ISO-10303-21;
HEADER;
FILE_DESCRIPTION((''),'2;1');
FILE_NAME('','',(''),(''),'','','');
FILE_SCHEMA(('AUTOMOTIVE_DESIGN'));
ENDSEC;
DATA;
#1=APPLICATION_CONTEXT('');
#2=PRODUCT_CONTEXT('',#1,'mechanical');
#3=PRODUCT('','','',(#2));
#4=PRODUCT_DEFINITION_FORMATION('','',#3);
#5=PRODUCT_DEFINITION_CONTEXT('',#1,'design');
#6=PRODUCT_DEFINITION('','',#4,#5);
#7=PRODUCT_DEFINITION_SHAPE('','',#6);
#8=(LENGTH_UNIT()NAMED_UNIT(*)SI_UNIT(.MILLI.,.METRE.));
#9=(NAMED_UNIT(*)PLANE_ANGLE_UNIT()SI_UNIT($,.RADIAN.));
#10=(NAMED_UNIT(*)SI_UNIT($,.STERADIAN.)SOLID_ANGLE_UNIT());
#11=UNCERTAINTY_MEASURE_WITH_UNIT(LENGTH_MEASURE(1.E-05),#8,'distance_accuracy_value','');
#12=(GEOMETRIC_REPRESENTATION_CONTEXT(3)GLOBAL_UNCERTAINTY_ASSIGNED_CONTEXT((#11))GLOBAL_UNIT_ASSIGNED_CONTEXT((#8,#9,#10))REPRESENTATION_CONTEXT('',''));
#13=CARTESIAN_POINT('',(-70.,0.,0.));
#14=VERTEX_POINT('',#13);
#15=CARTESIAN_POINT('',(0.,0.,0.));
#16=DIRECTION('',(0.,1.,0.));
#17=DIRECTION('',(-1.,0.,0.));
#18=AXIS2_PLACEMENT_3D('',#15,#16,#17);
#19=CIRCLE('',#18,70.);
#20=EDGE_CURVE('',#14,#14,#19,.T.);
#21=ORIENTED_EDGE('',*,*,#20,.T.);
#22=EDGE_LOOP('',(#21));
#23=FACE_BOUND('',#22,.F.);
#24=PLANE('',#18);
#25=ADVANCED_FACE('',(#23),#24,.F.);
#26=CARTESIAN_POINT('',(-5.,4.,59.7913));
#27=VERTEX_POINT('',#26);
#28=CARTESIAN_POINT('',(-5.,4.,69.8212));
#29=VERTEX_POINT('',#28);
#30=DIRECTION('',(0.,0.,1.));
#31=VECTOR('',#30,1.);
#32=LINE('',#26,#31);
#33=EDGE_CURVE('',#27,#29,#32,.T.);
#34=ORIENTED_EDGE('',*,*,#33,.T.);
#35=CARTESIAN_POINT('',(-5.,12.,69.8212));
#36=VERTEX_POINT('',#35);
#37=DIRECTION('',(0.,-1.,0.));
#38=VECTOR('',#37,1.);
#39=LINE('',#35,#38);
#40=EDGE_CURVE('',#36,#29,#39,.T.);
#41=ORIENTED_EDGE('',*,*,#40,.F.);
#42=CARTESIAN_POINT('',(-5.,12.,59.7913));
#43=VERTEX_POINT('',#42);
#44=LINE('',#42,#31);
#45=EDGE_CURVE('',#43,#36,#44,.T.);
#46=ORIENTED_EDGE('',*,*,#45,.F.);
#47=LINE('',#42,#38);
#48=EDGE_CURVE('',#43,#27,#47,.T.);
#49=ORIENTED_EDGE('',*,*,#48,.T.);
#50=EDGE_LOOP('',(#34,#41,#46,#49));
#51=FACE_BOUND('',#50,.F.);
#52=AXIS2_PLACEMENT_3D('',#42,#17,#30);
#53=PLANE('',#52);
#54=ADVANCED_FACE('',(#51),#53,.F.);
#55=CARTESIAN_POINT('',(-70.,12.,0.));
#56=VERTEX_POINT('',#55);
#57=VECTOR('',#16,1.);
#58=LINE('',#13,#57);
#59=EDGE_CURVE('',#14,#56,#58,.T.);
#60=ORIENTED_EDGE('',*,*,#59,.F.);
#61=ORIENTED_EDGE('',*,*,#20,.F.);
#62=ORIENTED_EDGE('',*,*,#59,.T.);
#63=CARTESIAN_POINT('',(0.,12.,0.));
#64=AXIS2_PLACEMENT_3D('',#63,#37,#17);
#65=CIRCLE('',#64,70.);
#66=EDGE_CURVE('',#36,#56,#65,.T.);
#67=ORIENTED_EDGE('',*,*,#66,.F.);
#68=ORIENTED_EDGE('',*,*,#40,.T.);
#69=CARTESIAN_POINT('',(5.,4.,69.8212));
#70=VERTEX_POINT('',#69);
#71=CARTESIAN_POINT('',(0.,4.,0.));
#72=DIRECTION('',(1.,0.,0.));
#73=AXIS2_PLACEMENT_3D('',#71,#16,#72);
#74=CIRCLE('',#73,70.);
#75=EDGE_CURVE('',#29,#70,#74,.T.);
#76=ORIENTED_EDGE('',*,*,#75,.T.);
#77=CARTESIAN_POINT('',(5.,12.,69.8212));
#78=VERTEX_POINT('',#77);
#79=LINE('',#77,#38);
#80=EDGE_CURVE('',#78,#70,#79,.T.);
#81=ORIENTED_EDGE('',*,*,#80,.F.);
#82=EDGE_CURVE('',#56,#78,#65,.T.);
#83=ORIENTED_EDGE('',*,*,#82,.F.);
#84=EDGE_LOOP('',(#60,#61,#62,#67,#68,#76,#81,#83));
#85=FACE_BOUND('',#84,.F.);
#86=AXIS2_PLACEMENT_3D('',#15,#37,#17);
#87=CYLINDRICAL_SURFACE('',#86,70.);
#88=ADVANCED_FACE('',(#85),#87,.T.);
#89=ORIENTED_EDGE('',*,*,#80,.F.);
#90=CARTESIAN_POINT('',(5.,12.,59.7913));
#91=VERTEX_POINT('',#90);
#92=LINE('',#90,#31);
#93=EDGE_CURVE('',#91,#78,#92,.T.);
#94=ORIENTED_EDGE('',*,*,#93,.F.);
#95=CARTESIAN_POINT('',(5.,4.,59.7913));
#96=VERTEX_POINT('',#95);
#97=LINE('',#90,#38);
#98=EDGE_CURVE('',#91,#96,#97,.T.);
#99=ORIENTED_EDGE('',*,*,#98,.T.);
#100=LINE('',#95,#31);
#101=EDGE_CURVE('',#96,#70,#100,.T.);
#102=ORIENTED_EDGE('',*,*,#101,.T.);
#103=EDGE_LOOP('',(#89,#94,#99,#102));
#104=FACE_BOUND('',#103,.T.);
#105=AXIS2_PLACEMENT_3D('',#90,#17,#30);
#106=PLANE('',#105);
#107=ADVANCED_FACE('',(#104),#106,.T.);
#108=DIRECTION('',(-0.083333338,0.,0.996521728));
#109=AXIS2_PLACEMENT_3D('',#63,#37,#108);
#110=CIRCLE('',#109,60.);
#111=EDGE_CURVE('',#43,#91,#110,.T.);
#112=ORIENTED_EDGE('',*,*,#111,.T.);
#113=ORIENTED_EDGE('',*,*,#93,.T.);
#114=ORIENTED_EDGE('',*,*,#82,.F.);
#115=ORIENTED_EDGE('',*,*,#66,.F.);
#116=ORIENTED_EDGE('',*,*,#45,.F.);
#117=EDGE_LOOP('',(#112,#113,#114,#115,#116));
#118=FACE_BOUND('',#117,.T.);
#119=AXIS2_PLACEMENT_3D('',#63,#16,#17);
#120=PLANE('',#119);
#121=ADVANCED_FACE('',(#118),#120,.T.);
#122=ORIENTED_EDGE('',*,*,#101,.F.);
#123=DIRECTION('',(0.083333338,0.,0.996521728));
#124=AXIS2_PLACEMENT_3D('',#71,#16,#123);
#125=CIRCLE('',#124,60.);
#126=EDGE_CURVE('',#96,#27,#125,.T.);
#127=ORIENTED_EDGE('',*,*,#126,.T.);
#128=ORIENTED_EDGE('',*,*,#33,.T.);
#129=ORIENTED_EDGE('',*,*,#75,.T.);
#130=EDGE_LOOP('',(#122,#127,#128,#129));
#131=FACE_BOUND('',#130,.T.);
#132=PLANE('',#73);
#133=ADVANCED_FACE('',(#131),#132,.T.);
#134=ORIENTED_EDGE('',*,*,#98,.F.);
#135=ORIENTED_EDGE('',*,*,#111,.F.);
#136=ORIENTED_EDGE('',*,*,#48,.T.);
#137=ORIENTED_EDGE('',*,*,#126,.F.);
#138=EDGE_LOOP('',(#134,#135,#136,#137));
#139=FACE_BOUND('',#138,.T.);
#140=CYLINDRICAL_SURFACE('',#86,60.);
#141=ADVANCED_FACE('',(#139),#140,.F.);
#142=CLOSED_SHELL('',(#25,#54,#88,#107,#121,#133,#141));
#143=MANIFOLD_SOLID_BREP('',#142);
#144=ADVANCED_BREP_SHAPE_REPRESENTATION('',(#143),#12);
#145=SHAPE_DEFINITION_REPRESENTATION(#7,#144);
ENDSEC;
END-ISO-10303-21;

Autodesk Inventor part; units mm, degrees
ref_plane "YZ Plane" through (0, 0, 0) normal (1, 0, 0) x (0, 1, 0)
ref_plane "XZ Plane" through (0, 0, 0) normal (0, 1, 0) x (-1, 0, 0)
ref_plane "XY Plane" through (0, 0, 0) normal (0, 0, 1) x (1, 0, 0)
sketch "스케치1" plane through (0, 0, 0) normal (0, 1, 0) x (-1, 0, 0)
  circle A0 centre (0, 0) radius 70
  circle A1 centre (0, 0) radius 60
  line L0 (-59.7913, -5) -> (-69.8212, -5)
  line L1 (-59.7913, 5) -> (-69.8212, 5)
  dimension "d0" = 140
  dimension "d1" = 120
  dimension "d7" = 5
extrude "돌출1" add sketch "스케치1" along normal blind 12 contours A0 L0 A1 L1 | L1 A1 L0 A0
extrude "돌출2" add sketch "스케치1" along normal blind 4 contours A1
sketch "스케치2" plane through (0, 12, 0) normal (0, 1, 0) x (1, 0, 0)
  line L0 (5, -59.7913) -> (5, -69.8212)
  line L1 (-5, -59.7913) -> (-5, -69.8212)
  circle A0 centre (0, 0) radius 60 projected
  circle A1 centre (0, 0) radius 70 projected
  dimension "d8" = 10
  dimension "d9" = 5
extrude "돌출3" cut sketch "스케치2" against normal blind 8 contours L0 A1 L1 A0 picked at (3.8895, -63.1964)
properties part number "gps_case"
